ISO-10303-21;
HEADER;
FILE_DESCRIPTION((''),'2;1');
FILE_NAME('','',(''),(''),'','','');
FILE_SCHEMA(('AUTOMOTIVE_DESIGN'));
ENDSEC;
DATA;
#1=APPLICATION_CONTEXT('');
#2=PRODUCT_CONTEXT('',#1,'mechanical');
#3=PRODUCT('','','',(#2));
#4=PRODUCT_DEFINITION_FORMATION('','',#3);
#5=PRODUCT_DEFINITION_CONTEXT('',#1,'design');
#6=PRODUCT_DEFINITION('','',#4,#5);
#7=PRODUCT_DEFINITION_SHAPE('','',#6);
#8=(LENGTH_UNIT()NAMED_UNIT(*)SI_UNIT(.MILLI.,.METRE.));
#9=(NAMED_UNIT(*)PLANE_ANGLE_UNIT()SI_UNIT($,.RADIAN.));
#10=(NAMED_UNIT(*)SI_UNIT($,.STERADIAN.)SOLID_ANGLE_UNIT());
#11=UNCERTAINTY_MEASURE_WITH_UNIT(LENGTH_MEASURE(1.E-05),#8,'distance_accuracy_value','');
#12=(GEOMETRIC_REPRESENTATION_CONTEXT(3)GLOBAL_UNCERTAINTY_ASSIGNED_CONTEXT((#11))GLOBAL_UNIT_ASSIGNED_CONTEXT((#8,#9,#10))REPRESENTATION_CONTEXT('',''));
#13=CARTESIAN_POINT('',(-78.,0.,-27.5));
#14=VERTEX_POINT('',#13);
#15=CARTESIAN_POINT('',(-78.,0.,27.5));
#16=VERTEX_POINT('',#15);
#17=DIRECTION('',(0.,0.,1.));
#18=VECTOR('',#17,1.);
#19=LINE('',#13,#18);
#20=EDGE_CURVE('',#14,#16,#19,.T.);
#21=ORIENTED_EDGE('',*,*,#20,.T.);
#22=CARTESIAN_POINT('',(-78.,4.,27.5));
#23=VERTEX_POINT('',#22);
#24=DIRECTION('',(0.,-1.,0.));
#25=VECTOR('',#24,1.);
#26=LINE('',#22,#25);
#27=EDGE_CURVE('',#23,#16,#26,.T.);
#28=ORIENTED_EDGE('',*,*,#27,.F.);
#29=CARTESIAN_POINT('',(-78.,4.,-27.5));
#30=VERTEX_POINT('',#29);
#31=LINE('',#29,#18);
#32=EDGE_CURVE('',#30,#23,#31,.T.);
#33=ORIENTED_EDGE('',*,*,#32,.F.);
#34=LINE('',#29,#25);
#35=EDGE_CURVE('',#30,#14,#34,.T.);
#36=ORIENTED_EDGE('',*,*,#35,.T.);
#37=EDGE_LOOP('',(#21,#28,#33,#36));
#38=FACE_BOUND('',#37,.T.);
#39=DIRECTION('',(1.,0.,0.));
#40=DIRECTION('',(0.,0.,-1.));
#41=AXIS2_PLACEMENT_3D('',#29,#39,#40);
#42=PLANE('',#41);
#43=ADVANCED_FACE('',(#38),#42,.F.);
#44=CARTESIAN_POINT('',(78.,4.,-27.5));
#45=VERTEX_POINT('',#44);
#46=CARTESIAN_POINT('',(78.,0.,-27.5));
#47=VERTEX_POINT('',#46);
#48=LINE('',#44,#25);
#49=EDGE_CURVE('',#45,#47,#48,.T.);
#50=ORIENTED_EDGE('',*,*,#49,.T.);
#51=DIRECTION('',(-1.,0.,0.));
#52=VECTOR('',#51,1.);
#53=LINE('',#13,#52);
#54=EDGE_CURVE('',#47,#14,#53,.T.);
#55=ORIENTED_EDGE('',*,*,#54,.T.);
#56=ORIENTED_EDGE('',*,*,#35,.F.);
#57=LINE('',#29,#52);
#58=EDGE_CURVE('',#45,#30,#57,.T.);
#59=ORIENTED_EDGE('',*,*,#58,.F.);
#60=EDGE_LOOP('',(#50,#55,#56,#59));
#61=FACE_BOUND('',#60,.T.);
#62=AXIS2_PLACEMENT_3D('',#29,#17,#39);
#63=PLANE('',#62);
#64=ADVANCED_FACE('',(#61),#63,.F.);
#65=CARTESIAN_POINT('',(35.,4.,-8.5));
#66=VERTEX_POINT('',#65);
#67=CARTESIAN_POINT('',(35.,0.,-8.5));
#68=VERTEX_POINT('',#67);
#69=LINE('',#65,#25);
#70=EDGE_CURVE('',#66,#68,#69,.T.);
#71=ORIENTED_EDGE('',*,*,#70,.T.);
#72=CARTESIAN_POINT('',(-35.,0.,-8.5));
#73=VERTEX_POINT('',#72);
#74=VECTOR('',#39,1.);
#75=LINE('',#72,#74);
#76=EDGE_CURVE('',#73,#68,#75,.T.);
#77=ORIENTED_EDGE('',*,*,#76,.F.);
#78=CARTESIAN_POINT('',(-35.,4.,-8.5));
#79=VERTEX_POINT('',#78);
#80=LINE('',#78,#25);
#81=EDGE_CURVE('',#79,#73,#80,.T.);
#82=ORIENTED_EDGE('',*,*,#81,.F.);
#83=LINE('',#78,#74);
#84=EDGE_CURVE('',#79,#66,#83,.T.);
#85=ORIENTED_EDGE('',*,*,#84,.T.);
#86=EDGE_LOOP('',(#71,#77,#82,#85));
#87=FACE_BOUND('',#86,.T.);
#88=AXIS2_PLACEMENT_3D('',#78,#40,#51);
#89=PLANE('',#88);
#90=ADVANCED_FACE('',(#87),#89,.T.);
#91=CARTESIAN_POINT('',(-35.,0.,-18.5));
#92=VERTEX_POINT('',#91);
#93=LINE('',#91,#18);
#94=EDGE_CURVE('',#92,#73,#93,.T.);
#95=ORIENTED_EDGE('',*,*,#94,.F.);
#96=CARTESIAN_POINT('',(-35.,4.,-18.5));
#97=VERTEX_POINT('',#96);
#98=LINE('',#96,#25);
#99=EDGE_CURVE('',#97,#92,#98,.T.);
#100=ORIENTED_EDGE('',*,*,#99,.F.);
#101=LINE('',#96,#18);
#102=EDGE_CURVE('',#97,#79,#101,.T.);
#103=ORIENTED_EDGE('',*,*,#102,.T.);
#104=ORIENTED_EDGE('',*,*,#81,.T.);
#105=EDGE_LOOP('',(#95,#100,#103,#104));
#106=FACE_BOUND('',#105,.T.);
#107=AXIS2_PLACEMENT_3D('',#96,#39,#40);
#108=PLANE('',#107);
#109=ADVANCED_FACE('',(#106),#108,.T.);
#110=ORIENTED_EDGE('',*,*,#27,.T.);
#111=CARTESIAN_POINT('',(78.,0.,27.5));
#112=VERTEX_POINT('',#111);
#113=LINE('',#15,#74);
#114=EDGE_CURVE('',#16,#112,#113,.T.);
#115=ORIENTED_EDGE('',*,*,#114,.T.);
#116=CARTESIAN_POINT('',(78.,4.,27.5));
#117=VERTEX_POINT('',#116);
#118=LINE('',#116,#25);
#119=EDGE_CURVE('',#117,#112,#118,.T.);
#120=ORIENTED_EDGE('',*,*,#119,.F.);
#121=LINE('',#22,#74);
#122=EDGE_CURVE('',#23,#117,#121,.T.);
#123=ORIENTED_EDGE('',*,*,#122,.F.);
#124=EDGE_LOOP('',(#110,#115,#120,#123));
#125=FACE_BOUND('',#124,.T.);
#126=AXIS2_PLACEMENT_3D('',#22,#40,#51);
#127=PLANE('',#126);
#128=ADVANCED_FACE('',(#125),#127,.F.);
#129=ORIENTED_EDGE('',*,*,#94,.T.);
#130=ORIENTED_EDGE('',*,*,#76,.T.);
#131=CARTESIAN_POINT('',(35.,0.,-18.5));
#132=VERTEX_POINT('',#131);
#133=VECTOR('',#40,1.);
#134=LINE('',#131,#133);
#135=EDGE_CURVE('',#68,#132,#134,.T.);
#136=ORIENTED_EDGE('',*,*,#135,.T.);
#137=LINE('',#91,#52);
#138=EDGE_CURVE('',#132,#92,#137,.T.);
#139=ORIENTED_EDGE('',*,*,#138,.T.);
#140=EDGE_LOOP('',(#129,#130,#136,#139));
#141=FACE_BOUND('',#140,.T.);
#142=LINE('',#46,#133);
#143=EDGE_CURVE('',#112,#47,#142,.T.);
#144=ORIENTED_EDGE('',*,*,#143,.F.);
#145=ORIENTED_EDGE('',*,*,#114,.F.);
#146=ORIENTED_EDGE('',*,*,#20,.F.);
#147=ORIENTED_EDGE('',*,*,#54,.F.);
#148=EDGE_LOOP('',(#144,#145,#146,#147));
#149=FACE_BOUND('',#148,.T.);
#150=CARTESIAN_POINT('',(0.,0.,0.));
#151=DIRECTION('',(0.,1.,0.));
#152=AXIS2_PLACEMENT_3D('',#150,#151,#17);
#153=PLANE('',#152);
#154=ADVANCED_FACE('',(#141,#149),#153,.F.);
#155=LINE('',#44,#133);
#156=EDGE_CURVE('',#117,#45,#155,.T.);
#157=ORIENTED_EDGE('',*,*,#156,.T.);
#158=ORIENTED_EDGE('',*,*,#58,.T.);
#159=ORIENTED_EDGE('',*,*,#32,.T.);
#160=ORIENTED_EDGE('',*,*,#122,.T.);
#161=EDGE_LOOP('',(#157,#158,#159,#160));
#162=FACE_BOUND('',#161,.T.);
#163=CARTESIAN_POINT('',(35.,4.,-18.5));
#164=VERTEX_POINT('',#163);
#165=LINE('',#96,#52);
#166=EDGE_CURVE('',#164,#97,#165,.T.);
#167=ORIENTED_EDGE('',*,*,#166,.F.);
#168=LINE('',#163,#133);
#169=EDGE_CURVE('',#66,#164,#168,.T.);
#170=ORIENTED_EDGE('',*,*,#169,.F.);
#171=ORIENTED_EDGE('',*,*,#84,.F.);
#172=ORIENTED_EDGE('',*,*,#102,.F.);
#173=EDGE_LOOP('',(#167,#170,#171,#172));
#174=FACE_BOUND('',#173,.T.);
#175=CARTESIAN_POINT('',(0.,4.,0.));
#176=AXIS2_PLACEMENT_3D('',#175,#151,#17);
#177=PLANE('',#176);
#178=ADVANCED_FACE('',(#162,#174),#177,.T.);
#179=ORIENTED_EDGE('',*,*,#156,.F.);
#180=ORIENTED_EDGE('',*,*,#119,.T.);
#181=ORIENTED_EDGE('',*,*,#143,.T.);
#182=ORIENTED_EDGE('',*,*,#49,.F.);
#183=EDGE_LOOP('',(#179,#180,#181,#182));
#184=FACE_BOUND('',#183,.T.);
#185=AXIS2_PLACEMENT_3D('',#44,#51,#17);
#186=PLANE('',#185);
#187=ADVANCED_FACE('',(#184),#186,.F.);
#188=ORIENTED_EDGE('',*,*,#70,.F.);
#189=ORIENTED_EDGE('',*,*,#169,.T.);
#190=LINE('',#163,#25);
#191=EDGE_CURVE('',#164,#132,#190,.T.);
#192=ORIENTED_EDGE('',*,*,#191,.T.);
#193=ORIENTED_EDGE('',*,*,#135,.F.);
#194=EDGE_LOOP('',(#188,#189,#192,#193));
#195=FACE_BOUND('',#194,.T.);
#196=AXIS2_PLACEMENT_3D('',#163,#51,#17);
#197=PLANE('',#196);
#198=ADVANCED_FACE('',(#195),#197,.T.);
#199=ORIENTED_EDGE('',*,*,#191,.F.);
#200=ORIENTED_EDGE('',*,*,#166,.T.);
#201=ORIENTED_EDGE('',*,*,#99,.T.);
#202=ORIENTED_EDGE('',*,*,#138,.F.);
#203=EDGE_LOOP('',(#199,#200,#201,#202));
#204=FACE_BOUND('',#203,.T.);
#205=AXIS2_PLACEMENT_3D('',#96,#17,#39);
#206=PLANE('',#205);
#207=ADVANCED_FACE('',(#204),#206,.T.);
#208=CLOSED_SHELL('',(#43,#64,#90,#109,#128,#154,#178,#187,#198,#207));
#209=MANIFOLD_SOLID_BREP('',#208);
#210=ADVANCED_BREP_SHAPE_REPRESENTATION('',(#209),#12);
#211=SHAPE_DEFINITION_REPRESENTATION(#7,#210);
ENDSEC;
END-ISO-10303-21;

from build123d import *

# Parameters (mm, degrees)
SKETCH1_W           = 156
SKETCH1_H           = 55
SKETCH1_W_2         = 70
SKETCH1_H_2         = 10
BOSS_EXTRUDE1_DEPTH = 4
SKETCH1_2_W         = 156
SKETCH1_2_H         = 55
SKETCH1_2_W_2       = 70
SKETCH1_2_H_2       = 10
BOSS_EXTRUDE2_DEPTH = 4


with BuildPart() as part:
    # Sketch1 → Boss-Extrude1 (new body)
    with BuildSketch(Plane(origin=(0, 0, 0), x_dir=(1, 0, 0), z_dir=(0, 1, 0))):
        Rectangle(SKETCH1_W, SKETCH1_H)
        with Locations((0, 13.5)):
            Rectangle(SKETCH1_W_2, SKETCH1_H_2, mode=Mode.SUBTRACT)
    extrude(amount=BOSS_EXTRUDE1_DEPTH)

    # Sketch1<2> → Boss-Extrude2 (add)
    with BuildSketch(Plane(origin=(0, 0, 0), x_dir=(1, 0, 0), z_dir=(0, 1, 0))):
        Rectangle(SKETCH1_2_W, SKETCH1_2_H)
        with Locations((0, 13.5)):
            Rectangle(SKETCH1_2_W_2, SKETCH1_2_H_2, mode=Mode.SUBTRACT)
    extrude(amount=BOSS_EXTRUDE2_DEPTH)


solid = part.part
